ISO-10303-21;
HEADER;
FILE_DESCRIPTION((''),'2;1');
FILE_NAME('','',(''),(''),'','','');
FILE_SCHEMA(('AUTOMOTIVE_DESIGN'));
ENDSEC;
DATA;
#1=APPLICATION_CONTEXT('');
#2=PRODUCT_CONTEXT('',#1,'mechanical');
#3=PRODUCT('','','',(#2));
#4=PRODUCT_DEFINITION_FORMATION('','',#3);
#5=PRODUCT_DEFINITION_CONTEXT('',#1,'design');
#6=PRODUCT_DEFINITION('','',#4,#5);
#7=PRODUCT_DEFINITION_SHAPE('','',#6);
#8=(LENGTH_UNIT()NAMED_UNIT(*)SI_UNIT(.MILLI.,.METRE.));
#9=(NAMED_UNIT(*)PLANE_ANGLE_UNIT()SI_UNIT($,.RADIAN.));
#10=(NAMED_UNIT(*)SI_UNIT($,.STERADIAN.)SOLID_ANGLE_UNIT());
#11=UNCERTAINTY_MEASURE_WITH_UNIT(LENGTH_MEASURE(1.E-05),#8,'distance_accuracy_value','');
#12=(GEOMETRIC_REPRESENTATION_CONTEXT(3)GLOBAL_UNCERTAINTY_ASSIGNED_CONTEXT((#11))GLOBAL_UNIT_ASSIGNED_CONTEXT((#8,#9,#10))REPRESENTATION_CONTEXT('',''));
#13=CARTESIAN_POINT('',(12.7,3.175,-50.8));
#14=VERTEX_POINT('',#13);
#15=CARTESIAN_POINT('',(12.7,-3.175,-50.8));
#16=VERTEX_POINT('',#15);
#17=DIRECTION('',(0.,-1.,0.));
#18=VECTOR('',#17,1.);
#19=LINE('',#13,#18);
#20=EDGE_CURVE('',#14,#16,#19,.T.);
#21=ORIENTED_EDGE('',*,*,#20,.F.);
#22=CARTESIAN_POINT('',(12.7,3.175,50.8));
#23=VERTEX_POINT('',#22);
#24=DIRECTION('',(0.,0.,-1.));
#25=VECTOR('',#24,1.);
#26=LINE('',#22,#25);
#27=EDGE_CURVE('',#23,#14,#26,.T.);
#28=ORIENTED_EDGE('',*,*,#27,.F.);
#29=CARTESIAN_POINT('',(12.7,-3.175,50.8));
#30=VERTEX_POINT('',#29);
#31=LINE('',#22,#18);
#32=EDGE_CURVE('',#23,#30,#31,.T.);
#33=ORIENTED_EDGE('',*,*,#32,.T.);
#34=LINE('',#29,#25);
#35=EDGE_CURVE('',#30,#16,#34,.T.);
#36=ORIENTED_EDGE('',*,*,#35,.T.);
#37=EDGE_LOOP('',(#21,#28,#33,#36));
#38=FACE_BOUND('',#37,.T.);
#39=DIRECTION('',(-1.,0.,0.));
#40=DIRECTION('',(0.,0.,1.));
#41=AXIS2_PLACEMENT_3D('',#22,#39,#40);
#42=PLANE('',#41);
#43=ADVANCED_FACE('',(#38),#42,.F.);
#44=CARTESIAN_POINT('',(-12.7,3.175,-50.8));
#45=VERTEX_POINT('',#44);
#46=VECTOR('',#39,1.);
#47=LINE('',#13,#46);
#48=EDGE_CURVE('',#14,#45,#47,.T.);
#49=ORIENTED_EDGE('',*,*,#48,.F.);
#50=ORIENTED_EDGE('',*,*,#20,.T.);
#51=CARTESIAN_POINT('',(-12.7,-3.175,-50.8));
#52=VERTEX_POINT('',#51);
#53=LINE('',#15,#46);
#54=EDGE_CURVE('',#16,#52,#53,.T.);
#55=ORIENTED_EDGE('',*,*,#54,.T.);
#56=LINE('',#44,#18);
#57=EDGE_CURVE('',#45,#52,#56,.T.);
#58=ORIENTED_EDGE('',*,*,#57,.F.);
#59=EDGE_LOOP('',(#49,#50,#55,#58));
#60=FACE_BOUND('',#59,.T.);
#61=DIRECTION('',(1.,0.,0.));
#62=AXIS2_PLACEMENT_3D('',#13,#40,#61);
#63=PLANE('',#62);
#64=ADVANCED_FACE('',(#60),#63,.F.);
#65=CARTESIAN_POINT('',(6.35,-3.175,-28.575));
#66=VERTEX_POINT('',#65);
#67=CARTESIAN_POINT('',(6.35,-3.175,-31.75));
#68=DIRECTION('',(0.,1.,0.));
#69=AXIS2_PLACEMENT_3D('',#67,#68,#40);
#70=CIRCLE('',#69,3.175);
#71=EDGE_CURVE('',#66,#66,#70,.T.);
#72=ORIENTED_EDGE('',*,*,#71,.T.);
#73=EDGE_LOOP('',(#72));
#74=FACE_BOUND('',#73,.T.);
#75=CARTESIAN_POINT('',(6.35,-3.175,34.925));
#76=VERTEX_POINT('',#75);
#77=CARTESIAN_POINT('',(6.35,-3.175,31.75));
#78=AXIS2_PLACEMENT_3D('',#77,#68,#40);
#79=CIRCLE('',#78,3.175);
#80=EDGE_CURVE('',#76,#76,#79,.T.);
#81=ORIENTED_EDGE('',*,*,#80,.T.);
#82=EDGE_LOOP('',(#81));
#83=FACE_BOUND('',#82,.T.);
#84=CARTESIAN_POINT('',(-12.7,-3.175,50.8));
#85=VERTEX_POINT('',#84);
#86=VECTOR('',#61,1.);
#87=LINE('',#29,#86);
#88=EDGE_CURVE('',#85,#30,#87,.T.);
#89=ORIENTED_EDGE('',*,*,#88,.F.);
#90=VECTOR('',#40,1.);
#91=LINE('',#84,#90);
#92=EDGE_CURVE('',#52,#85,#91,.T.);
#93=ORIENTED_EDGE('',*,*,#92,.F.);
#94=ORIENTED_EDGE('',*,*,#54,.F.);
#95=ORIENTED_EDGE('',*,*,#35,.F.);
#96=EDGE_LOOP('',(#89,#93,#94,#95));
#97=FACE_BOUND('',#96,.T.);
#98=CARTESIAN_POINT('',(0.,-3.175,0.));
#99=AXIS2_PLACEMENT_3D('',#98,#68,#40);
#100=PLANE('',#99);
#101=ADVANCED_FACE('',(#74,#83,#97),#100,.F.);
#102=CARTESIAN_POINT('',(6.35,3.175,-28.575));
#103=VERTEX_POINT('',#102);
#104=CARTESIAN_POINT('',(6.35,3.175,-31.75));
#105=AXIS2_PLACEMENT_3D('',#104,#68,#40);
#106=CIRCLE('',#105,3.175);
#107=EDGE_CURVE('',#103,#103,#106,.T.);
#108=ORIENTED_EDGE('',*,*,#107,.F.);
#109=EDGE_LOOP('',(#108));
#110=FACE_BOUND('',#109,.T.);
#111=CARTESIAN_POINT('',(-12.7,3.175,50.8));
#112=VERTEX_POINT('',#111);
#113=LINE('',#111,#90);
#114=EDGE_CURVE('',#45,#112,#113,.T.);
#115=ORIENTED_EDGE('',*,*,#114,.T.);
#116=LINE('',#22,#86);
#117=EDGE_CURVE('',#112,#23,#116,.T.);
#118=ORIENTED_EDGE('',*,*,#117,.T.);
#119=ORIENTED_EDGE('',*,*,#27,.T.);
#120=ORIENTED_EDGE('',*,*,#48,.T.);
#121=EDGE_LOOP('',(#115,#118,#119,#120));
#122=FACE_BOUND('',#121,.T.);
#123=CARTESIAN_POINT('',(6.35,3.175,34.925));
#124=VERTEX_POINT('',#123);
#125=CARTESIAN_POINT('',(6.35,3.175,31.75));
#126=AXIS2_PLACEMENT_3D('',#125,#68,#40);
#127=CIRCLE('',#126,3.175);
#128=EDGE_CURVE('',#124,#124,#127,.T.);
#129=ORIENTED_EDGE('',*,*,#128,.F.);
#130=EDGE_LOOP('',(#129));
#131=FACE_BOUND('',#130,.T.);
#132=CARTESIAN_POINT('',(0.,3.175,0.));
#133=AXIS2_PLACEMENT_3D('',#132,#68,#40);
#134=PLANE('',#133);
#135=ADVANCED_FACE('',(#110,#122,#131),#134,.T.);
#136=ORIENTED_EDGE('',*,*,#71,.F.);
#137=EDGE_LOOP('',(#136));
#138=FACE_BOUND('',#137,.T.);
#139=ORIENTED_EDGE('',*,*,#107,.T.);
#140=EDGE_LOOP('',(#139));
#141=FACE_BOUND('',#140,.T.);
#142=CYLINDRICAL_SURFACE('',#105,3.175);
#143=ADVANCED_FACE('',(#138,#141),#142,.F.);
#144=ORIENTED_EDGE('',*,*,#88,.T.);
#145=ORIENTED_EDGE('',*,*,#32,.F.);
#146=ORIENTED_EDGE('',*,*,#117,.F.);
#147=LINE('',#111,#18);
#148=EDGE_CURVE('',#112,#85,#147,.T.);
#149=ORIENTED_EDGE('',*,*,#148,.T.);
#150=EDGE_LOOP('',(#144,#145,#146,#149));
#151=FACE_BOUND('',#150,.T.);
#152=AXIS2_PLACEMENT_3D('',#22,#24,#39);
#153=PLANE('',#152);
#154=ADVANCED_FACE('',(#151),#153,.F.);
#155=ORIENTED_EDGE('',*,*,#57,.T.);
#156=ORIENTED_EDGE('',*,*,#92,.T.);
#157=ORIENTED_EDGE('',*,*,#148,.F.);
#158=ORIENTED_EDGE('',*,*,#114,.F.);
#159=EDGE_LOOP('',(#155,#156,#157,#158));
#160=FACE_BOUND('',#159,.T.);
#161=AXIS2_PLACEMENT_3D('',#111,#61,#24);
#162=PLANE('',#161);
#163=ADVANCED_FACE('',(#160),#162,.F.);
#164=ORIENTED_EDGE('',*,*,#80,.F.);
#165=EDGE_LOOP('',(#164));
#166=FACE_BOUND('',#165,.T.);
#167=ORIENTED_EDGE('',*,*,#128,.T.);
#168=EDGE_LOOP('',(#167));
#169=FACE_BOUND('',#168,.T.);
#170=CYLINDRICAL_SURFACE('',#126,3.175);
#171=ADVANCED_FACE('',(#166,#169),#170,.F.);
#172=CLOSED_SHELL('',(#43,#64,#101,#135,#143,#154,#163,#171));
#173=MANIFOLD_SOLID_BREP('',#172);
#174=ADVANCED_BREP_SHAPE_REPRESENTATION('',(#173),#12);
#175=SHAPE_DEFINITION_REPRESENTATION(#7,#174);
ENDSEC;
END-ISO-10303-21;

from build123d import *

# Parameters (mm, degrees)
SKETCH1_W                   = 25.4
SKETCH1_H                   = 101.6
BOSS_EXTRUDE1_DEPTH         = 3.175
F_1_4_0_25_DIAMETER_HOLE1_D = 6.35


with BuildPart() as part:
    # Sketch1 → Boss-Extrude1 (new, symmetric)
    with BuildSketch(Plane(origin=(0, 0, 0), x_dir=(1, 0, 0), z_dir=(0, 1, 0))):
        Rectangle(SKETCH1_W, SKETCH1_H)
    extrude(amount=BOSS_EXTRUDE1_DEPTH, both=True)

    # 1/4 (0.25) Diameter Hole1 (through all)
    with Locations(Plane(origin=(0, 3.175, 0), x_dir=(1, 0, 0), z_dir=(0, 1, 0))):
        with Locations((6.35, -31.75), (6.35, 31.75)):
            Hole(F_1_4_0_25_DIAMETER_HOLE1_D / 2)


solid = part.part
